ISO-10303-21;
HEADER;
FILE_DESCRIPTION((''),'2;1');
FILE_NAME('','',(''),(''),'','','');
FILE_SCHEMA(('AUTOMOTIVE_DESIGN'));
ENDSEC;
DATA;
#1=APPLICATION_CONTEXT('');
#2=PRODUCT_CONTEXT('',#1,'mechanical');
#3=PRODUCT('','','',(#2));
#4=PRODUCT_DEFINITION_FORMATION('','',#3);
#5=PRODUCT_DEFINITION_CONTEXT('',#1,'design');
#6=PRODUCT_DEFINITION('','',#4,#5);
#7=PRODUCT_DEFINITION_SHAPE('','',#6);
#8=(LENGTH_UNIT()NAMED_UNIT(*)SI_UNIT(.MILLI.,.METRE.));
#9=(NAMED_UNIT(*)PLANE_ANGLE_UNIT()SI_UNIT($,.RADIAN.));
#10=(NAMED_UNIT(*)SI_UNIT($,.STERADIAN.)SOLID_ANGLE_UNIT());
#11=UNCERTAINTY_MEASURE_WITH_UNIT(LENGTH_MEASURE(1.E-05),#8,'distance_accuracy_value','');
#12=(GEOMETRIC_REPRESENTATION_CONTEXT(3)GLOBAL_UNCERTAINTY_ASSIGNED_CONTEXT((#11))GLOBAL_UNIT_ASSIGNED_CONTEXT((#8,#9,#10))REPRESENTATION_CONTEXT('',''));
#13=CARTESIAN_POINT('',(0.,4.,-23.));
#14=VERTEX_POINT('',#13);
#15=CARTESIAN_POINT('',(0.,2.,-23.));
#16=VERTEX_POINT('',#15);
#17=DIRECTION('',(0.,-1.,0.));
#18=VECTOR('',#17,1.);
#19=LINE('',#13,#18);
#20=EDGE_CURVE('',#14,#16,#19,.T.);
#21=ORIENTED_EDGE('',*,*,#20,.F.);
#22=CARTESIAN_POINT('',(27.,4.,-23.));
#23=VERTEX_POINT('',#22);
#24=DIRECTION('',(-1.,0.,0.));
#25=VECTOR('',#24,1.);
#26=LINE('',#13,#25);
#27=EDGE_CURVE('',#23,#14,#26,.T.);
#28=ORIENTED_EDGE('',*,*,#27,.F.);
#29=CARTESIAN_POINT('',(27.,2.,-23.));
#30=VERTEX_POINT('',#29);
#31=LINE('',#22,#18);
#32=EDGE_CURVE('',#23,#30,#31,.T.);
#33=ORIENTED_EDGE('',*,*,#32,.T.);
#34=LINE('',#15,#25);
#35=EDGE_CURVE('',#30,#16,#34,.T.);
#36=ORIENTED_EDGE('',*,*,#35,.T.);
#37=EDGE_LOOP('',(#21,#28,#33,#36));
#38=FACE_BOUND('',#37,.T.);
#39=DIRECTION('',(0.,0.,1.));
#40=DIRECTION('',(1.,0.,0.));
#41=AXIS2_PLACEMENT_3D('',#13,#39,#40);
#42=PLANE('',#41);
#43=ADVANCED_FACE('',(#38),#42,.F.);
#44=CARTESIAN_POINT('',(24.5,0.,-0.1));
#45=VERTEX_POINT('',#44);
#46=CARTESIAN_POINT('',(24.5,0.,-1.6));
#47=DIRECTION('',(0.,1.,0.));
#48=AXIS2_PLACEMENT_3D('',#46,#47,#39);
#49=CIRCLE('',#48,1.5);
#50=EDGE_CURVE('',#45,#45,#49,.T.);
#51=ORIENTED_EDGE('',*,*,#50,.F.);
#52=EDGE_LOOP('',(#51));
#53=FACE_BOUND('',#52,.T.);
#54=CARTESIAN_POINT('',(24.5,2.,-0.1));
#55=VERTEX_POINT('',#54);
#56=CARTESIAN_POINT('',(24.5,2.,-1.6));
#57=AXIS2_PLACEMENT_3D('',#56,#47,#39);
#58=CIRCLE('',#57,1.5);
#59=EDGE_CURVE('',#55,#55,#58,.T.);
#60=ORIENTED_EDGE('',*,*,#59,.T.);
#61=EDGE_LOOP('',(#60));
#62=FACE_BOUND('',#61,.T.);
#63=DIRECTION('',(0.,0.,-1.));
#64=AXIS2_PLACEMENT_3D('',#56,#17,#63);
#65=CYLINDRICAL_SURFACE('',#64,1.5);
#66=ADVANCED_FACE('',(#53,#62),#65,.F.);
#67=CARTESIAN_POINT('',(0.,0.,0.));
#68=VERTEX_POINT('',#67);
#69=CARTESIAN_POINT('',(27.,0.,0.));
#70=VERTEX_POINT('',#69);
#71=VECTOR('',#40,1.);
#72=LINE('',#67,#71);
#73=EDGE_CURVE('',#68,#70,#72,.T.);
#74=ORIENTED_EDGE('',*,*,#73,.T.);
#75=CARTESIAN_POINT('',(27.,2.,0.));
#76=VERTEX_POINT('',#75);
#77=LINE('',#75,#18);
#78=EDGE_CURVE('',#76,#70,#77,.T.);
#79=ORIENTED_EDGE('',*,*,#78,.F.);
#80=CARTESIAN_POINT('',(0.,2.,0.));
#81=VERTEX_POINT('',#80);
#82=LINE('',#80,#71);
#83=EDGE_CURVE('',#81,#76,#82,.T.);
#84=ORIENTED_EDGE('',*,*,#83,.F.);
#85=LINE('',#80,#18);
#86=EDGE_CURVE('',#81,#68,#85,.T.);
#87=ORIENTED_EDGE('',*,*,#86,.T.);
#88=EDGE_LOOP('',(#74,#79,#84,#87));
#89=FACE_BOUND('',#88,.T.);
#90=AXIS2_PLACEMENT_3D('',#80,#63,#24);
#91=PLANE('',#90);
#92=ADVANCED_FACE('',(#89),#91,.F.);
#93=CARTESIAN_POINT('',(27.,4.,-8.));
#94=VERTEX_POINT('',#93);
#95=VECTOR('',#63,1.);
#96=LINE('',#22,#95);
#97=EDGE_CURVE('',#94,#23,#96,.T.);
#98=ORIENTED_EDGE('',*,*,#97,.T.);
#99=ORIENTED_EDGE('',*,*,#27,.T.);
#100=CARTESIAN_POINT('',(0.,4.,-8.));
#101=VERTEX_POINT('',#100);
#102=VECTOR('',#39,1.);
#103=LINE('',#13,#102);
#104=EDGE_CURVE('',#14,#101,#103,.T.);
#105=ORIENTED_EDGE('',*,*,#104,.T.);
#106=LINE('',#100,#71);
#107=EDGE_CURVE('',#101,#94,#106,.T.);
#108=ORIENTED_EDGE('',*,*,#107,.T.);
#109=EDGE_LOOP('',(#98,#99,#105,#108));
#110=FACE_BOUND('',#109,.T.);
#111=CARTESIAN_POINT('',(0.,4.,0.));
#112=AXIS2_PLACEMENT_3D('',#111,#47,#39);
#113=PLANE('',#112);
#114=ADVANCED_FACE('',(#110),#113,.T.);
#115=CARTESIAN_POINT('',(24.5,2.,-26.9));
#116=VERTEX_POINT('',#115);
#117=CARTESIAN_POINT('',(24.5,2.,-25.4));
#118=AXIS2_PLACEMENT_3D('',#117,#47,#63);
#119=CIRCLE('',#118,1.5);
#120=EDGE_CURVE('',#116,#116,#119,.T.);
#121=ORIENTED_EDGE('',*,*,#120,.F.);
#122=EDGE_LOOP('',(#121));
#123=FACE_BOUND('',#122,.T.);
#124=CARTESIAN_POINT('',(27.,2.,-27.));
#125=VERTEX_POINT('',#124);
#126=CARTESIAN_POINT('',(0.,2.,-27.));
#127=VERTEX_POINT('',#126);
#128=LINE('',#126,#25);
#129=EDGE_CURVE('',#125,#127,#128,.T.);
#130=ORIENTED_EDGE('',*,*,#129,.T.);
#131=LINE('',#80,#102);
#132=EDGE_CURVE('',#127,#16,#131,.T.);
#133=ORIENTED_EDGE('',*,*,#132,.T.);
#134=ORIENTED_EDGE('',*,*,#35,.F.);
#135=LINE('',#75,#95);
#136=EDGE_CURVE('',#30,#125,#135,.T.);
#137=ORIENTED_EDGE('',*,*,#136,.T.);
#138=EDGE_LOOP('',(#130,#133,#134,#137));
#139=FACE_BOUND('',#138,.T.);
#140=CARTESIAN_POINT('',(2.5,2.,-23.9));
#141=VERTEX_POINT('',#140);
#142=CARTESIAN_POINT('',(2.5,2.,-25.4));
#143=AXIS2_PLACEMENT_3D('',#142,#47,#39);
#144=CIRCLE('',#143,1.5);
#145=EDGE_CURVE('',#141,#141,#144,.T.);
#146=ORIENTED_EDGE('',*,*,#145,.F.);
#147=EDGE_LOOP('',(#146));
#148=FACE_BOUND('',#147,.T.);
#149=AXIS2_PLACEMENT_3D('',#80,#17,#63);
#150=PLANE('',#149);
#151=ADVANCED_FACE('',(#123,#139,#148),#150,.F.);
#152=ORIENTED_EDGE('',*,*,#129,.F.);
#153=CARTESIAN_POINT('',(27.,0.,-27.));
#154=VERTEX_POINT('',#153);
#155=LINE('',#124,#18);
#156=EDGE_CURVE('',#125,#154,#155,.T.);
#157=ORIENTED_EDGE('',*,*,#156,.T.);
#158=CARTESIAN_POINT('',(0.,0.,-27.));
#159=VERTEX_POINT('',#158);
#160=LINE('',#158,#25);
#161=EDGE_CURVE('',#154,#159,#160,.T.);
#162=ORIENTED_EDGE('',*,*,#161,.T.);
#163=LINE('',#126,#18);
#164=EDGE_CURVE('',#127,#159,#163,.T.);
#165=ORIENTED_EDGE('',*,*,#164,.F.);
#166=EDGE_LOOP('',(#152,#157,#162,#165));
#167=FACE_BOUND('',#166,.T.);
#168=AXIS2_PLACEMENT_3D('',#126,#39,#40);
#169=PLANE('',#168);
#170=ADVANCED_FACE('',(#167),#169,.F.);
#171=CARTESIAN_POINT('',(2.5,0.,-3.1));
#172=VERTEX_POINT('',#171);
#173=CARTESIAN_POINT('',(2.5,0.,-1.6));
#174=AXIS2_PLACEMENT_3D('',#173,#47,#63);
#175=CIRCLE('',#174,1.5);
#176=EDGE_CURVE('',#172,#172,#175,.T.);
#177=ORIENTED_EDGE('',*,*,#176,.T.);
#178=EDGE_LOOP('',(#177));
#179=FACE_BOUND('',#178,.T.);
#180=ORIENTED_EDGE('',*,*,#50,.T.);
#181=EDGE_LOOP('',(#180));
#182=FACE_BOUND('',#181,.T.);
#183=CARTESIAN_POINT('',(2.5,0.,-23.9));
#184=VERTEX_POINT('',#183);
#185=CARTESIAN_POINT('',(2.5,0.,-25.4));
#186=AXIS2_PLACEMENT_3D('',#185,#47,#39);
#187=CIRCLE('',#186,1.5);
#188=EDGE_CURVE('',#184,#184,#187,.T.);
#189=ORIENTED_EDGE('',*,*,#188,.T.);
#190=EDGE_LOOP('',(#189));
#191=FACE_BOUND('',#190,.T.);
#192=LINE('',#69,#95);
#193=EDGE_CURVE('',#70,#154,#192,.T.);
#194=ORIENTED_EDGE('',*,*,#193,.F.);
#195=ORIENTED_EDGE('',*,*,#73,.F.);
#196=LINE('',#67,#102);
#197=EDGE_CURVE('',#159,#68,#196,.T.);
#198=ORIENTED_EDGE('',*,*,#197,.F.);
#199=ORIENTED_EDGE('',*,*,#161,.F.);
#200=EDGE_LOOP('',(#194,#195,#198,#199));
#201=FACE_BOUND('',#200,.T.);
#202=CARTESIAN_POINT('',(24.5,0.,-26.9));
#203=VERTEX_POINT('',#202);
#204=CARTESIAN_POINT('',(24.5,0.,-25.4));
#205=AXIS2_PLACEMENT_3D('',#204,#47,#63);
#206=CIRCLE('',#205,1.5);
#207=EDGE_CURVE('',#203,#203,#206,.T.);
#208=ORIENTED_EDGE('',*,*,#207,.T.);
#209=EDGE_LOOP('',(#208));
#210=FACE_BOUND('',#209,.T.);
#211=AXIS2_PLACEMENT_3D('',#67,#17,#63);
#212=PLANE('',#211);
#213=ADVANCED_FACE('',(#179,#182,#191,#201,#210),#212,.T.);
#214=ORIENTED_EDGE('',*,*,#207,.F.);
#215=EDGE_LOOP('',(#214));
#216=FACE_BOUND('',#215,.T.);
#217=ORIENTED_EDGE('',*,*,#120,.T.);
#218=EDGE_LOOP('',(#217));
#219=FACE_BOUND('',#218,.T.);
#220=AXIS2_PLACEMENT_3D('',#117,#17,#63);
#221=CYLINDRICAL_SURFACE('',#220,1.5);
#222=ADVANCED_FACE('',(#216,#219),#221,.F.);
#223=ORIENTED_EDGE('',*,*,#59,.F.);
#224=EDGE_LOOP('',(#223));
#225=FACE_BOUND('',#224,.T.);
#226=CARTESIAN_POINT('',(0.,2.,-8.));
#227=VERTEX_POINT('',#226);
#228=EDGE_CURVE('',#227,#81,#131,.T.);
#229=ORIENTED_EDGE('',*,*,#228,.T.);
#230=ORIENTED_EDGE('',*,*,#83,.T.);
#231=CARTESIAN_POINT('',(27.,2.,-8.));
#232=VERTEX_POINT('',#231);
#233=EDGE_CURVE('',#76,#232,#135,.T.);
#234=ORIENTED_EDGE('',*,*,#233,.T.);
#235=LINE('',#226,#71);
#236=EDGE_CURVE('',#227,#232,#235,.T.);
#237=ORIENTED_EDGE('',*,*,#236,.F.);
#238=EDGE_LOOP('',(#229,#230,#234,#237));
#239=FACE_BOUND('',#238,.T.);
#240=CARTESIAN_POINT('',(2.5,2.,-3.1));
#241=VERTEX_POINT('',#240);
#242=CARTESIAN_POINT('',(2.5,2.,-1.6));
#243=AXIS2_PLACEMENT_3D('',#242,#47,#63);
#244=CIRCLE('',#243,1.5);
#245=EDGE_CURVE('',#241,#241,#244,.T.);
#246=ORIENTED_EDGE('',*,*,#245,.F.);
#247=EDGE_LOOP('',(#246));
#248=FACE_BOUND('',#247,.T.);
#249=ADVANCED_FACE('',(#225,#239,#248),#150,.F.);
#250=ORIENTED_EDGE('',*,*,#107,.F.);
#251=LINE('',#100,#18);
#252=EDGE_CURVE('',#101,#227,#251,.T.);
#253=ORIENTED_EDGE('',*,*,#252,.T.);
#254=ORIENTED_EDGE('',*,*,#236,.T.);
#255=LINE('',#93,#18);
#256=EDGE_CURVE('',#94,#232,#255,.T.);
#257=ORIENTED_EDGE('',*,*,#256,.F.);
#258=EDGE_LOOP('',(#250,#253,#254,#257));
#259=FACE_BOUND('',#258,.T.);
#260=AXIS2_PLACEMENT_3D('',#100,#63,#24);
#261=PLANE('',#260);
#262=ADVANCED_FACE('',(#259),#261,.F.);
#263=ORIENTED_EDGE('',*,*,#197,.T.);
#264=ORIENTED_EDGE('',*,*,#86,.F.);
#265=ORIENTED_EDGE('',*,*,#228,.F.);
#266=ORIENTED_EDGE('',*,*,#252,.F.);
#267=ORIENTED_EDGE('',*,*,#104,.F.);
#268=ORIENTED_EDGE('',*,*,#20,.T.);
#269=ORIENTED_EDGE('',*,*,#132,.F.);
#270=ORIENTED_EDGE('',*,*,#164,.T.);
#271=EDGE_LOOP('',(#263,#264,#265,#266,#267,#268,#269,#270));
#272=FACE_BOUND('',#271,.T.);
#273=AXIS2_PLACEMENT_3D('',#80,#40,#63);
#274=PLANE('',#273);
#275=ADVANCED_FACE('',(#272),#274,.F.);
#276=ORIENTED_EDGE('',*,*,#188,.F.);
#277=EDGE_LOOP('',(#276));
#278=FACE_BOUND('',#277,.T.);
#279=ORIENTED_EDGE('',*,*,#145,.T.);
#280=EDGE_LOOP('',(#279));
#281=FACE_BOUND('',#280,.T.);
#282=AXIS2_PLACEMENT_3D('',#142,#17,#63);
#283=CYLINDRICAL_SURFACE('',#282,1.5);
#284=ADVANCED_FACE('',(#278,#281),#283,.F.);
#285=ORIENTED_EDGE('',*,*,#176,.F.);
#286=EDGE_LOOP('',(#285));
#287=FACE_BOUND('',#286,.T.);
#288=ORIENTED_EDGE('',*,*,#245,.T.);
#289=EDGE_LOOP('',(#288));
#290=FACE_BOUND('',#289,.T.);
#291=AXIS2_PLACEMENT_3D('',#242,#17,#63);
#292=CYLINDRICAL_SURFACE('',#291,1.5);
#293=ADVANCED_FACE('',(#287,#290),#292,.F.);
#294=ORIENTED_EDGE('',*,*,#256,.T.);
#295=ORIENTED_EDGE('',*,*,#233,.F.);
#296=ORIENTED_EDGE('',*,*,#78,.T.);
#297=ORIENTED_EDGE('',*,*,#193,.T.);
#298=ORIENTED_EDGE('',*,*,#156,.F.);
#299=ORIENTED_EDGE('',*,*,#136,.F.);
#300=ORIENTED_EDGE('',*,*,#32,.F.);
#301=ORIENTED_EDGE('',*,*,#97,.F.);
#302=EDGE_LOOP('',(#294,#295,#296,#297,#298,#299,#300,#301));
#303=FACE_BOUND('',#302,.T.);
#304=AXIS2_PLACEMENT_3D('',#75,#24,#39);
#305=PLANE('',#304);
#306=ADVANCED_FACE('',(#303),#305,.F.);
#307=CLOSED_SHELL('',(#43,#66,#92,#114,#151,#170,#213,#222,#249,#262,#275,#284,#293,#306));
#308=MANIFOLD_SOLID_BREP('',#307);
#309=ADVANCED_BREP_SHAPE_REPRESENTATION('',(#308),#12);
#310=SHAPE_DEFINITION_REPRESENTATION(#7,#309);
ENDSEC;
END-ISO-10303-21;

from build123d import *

# Parameters (mm, degrees)
SKETCH1_W           = 27
SKETCH1_H           = 27
SKETCH1_R           = 1.5
BOSS_EXTRUDE1_DEPTH = 2
SKETCH2_W           = 27
SKETCH2_H           = 15
BOSS_EXTRUDE2_DEPTH = 2


with BuildPart() as part:
    # Sketch1 → Boss-Extrude1 (new body)
    with BuildSketch(Plane(origin=(0, 0, 0), x_dir=(1, 0, 0), z_dir=(0, 1, 0))):
        with Locations((13.5, 13.5)):
            Rectangle(SKETCH1_W, SKETCH1_H)
        with Locations(Location((2.5, 25.4, 0), (0, 0, 270))):
            Circle(SKETCH1_R, mode=Mode.SUBTRACT)
        with Locations(Location((24.5, 25.4, 0), (0, 0, 90))):
            Circle(SKETCH1_R, mode=Mode.SUBTRACT)
        with Locations(Location((24.5, 1.6, 0), (0, 0, 270))):
            Circle(SKETCH1_R, mode=Mode.SUBTRACT)
        with Locations(Location((2.5, 1.6, 0), (0, 0, 90))):
            Circle(SKETCH1_R, mode=Mode.SUBTRACT)
    extrude(amount=BOSS_EXTRUDE1_DEPTH)

    # Sketch2 → Boss-Extrude2 (add)
    with BuildSketch(Plane(origin=(0, 2, 0), x_dir=(1, 0, 0), z_dir=(0, 1, 0))):
        with Locations((13.5, 15.5)):
            Rectangle(SKETCH2_W, SKETCH2_H)
    extrude(amount=BOSS_EXTRUDE2_DEPTH)


solid = part.part
